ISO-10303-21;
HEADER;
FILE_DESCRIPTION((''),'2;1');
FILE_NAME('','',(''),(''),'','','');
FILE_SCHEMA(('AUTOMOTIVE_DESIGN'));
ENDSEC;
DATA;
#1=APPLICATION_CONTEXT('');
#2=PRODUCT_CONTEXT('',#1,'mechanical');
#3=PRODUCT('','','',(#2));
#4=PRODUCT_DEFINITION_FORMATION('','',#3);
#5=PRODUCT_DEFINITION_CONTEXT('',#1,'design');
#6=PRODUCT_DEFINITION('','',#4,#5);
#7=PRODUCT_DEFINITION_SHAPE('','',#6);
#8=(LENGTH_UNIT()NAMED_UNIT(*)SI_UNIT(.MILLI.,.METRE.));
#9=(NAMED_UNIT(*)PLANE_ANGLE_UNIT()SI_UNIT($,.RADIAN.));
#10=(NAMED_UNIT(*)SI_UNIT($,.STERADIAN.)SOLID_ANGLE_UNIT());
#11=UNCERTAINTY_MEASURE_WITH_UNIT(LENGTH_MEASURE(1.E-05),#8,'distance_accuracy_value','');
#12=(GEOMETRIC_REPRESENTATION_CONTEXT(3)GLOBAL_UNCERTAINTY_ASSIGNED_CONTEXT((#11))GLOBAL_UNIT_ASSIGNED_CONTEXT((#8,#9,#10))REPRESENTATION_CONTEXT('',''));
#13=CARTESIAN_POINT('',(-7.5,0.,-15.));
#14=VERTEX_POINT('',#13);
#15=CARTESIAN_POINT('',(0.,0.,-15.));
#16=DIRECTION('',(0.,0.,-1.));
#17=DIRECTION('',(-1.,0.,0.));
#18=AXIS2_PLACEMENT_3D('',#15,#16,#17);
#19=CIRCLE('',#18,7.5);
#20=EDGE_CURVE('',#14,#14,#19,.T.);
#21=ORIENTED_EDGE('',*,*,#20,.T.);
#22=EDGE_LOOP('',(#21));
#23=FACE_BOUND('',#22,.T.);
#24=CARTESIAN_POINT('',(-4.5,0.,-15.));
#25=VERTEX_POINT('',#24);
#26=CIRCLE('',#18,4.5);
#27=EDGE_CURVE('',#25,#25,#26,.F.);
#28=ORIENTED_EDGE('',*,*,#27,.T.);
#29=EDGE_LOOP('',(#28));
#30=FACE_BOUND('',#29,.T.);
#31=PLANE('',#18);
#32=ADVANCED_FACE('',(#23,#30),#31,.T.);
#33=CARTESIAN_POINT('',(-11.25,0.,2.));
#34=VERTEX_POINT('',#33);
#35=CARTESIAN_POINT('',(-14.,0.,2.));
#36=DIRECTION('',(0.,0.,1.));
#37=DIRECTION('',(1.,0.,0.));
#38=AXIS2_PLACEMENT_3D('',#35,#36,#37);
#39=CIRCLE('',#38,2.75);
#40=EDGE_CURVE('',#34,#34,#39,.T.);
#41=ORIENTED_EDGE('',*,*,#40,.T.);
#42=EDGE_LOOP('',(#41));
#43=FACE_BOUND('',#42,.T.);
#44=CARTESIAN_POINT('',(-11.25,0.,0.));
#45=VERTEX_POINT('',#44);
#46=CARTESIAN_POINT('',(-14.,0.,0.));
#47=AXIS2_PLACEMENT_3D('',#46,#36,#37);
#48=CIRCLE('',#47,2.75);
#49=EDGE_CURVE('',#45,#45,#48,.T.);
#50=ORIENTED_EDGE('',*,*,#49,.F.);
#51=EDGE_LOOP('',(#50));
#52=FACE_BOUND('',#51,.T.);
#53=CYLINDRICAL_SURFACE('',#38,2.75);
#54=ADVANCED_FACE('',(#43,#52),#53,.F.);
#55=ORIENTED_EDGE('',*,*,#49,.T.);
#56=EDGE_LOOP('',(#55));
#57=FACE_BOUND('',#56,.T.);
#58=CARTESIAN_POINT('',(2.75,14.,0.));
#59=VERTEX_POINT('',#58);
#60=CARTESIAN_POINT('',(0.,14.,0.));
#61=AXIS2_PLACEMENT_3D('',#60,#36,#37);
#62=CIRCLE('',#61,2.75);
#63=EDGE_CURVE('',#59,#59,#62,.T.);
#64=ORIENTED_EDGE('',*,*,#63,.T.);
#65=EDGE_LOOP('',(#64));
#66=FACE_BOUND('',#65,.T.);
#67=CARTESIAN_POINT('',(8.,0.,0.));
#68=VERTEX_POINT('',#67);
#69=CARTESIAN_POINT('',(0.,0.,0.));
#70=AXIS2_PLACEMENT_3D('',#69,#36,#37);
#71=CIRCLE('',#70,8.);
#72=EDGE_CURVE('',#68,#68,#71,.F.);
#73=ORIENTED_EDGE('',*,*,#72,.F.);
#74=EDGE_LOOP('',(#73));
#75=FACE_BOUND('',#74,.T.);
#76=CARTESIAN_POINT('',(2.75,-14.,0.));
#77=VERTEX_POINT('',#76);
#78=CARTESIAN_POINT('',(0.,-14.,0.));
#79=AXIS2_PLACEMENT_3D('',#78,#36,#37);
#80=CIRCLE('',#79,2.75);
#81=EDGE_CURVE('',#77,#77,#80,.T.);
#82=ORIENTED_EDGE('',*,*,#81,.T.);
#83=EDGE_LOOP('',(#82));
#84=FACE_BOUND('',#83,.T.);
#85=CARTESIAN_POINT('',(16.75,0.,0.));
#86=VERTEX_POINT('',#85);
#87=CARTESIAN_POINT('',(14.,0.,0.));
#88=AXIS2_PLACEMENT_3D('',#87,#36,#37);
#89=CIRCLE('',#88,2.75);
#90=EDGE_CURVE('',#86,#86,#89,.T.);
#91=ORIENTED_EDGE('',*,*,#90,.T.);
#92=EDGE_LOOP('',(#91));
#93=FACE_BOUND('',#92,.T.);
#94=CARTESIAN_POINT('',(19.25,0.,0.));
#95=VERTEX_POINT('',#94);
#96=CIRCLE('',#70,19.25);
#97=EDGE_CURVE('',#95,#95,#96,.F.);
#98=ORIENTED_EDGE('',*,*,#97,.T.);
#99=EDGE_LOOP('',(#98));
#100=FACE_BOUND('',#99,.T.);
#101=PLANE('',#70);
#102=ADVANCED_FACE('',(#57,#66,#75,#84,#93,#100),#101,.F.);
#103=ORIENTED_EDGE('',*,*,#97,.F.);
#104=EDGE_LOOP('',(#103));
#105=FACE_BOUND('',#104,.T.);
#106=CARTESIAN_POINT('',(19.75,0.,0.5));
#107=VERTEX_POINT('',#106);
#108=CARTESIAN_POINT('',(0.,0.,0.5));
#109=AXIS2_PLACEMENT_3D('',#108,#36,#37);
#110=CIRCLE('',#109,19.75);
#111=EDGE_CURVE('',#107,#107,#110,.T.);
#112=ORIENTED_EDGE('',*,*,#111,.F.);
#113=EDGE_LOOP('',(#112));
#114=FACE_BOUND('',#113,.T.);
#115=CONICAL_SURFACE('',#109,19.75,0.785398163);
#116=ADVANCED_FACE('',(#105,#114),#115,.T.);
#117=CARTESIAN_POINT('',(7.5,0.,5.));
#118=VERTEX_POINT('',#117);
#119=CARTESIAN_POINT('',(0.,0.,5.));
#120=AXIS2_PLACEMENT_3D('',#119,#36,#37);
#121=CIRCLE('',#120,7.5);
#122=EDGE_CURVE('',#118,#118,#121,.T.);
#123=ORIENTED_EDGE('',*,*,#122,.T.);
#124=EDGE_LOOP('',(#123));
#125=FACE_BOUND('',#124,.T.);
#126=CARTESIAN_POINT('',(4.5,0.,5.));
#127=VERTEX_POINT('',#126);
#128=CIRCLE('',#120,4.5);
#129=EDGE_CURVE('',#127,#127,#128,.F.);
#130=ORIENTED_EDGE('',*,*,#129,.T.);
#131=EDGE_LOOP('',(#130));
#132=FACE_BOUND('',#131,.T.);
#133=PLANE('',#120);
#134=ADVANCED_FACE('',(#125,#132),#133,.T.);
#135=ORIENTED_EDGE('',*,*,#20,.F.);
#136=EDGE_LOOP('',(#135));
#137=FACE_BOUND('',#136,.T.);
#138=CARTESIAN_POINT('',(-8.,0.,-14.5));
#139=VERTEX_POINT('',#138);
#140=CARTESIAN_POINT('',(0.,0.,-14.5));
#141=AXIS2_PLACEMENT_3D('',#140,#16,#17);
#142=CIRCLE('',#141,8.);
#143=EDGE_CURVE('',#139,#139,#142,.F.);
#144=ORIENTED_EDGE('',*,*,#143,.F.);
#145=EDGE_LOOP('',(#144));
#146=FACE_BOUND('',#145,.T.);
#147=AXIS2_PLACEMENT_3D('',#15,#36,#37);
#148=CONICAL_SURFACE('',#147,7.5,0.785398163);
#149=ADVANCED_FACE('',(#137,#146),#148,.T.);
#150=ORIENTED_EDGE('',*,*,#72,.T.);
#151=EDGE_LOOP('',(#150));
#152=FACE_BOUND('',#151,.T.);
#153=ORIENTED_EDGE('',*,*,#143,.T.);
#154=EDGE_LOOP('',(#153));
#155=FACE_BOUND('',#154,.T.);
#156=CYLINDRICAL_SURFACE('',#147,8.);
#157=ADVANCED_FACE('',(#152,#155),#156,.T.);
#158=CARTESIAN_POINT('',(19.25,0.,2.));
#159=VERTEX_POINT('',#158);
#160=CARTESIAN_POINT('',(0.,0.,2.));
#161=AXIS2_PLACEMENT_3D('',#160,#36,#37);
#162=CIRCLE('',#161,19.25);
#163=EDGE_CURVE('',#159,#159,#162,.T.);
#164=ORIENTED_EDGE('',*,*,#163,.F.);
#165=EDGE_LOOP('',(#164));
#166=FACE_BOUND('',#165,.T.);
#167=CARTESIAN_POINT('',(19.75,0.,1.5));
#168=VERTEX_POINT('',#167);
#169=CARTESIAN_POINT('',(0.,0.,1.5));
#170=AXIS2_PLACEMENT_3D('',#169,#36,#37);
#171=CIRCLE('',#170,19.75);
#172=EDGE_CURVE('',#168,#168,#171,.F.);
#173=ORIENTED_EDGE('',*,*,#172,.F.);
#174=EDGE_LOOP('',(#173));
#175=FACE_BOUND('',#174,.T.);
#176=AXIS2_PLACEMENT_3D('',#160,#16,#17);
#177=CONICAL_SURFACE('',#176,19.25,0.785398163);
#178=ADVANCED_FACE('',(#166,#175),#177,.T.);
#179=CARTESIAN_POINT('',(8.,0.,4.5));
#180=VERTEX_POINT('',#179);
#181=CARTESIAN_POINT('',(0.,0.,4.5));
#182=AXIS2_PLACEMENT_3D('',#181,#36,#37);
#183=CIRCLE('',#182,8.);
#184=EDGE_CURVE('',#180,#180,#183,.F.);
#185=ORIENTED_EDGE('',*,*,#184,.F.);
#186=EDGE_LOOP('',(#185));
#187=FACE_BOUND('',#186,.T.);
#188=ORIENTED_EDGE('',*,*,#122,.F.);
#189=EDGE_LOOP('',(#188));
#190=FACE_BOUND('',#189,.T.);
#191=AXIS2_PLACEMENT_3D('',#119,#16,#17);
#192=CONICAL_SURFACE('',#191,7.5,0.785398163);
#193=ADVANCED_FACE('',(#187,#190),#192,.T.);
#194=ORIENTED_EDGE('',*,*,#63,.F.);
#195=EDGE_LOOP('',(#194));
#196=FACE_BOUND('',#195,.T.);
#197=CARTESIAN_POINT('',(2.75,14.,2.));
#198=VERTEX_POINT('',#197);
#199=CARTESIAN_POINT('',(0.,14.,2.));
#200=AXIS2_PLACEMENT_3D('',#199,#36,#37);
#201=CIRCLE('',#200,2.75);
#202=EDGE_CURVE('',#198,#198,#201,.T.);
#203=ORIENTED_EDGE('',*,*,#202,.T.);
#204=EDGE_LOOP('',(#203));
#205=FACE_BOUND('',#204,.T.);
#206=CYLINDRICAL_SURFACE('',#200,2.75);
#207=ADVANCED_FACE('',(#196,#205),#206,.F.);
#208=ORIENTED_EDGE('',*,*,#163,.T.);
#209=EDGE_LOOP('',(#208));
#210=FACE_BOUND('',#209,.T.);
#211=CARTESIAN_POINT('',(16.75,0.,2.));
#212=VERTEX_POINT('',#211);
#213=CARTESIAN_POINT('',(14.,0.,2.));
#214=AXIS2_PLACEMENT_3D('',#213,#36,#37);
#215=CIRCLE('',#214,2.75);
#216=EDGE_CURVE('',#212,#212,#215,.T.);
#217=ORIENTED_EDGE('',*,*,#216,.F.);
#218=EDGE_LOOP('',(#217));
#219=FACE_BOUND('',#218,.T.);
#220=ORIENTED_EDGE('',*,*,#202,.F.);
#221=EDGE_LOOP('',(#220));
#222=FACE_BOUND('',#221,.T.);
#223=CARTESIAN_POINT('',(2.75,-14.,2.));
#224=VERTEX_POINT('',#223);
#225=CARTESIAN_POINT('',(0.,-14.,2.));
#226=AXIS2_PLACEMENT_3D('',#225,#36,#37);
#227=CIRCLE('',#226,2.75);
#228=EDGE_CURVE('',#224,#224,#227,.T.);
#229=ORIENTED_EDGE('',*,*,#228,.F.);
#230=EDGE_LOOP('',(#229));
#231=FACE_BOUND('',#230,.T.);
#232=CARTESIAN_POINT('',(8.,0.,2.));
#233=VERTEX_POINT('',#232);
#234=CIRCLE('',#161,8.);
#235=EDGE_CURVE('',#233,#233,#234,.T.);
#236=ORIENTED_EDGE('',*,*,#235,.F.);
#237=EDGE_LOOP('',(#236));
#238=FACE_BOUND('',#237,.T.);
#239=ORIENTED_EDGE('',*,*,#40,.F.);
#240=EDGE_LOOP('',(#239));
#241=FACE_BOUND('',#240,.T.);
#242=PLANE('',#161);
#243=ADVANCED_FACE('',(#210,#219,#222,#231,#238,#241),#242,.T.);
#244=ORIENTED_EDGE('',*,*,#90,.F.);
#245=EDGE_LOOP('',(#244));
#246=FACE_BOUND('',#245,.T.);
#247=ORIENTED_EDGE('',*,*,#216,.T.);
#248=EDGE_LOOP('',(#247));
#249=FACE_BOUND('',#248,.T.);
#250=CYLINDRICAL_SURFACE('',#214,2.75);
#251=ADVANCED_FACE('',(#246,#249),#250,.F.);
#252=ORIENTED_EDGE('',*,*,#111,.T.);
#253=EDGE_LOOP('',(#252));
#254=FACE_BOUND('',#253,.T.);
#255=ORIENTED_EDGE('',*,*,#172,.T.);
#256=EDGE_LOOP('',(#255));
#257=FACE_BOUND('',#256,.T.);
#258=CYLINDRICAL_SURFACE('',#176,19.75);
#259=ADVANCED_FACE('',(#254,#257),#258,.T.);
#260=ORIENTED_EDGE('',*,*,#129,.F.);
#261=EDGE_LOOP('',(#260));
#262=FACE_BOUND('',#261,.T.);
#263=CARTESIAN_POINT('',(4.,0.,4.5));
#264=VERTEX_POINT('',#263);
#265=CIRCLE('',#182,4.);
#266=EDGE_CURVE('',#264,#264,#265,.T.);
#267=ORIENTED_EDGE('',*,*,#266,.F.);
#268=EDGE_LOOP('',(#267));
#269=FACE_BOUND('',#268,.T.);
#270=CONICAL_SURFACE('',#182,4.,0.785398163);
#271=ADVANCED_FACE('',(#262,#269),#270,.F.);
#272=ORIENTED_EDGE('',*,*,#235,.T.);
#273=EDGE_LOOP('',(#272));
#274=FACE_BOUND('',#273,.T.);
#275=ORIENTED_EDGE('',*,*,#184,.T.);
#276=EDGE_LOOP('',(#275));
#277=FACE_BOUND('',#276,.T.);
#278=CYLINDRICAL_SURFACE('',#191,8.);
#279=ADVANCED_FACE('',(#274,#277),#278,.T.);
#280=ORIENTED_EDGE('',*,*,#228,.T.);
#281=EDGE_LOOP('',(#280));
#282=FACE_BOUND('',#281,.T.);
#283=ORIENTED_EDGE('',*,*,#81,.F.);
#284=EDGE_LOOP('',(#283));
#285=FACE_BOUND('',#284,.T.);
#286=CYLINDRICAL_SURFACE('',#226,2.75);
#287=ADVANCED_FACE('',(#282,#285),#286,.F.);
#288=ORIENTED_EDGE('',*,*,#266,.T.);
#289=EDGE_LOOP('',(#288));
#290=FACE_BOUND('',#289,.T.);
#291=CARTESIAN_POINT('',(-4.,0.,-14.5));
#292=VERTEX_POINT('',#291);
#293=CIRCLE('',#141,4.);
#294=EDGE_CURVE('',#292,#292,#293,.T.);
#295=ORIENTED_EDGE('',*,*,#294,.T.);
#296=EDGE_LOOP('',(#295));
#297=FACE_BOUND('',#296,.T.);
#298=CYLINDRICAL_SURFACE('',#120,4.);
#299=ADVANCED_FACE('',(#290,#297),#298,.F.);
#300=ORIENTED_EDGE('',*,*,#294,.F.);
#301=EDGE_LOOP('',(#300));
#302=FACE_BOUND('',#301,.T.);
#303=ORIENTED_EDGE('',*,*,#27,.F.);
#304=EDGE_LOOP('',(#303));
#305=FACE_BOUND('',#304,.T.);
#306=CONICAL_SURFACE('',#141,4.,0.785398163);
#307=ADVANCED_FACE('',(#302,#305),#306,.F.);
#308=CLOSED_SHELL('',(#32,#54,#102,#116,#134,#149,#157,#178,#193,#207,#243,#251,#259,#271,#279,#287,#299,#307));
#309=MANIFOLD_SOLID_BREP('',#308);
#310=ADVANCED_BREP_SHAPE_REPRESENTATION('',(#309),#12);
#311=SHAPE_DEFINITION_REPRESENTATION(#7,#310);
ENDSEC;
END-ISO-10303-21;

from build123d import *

# Parameters (mm, degrees)
SKETCH_1_R              = 19.75
EXTRUDE_1_DEPTH         = 2
SKETCH_2_R              = 8
EXTRUDE_2_DEPTH         = 3
EXTRUDE_START           = 15
SKETCH_3_R              = 8
EXTRUDE_3_DEPTH         = 15
HOLE_WIZARD_M8_1_D      = 8
HOLE_WIZARD_5_5_5_5_1_D = 5.5
CHAMFER_1_SIZE          = 0.5


with BuildPart() as part:
    # 草图1 → 凸台-拉伸1 (new body)
    with BuildSketch(Plane.XY):
        Circle(SKETCH_1_R)
    extrude(amount=EXTRUDE_1_DEPTH)

    # 草图2 → 凸台-拉伸2 (add)
    with BuildSketch(Plane.XY.offset(2)):
        Circle(SKETCH_2_R)
    extrude(amount=EXTRUDE_2_DEPTH)

    # 草图3 → 凸台-拉伸3 (add)
    with BuildSketch(Plane(origin=(0, 0, 0), x_dir=(-1, 0, 0), z_dir=(0, 0, -1)).offset(EXTRUDE_START)):
        with Locations(Location((0, 0, 0), (0, 0, 180))):
            Circle(SKETCH_3_R)
    extrude(amount=-EXTRUDE_3_DEPTH)

    # M8 螺纹孔1 (through all)
    with Locations(Plane.XY.offset(5)):
        with Locations((0, 0)):
            Hole(HOLE_WIZARD_M8_1_D / 2)

    # Ø5.5 (5.5) 直径孔1 (through all)
    with Locations(Plane.XY.offset(2)):
        with Locations((0, 14), (0, -14), (-14, 0), (14, 0)):
            Hole(HOLE_WIZARD_5_5_5_5_1_D / 2)

    # 倒角1
    chamfer_1_edges = [part.edges().sort_by_distance(p)[0] for p in [
        (-8, 0, -15),
        (4, 0, 5),
        (4, 0, -15),
        (-19.75, 0, 0),
        (-19.75, 0, 2),
        (-8, 0, 5),
    ]]
    chamfer(chamfer_1_edges, length=CHAMFER_1_SIZE)


solid = part.part
